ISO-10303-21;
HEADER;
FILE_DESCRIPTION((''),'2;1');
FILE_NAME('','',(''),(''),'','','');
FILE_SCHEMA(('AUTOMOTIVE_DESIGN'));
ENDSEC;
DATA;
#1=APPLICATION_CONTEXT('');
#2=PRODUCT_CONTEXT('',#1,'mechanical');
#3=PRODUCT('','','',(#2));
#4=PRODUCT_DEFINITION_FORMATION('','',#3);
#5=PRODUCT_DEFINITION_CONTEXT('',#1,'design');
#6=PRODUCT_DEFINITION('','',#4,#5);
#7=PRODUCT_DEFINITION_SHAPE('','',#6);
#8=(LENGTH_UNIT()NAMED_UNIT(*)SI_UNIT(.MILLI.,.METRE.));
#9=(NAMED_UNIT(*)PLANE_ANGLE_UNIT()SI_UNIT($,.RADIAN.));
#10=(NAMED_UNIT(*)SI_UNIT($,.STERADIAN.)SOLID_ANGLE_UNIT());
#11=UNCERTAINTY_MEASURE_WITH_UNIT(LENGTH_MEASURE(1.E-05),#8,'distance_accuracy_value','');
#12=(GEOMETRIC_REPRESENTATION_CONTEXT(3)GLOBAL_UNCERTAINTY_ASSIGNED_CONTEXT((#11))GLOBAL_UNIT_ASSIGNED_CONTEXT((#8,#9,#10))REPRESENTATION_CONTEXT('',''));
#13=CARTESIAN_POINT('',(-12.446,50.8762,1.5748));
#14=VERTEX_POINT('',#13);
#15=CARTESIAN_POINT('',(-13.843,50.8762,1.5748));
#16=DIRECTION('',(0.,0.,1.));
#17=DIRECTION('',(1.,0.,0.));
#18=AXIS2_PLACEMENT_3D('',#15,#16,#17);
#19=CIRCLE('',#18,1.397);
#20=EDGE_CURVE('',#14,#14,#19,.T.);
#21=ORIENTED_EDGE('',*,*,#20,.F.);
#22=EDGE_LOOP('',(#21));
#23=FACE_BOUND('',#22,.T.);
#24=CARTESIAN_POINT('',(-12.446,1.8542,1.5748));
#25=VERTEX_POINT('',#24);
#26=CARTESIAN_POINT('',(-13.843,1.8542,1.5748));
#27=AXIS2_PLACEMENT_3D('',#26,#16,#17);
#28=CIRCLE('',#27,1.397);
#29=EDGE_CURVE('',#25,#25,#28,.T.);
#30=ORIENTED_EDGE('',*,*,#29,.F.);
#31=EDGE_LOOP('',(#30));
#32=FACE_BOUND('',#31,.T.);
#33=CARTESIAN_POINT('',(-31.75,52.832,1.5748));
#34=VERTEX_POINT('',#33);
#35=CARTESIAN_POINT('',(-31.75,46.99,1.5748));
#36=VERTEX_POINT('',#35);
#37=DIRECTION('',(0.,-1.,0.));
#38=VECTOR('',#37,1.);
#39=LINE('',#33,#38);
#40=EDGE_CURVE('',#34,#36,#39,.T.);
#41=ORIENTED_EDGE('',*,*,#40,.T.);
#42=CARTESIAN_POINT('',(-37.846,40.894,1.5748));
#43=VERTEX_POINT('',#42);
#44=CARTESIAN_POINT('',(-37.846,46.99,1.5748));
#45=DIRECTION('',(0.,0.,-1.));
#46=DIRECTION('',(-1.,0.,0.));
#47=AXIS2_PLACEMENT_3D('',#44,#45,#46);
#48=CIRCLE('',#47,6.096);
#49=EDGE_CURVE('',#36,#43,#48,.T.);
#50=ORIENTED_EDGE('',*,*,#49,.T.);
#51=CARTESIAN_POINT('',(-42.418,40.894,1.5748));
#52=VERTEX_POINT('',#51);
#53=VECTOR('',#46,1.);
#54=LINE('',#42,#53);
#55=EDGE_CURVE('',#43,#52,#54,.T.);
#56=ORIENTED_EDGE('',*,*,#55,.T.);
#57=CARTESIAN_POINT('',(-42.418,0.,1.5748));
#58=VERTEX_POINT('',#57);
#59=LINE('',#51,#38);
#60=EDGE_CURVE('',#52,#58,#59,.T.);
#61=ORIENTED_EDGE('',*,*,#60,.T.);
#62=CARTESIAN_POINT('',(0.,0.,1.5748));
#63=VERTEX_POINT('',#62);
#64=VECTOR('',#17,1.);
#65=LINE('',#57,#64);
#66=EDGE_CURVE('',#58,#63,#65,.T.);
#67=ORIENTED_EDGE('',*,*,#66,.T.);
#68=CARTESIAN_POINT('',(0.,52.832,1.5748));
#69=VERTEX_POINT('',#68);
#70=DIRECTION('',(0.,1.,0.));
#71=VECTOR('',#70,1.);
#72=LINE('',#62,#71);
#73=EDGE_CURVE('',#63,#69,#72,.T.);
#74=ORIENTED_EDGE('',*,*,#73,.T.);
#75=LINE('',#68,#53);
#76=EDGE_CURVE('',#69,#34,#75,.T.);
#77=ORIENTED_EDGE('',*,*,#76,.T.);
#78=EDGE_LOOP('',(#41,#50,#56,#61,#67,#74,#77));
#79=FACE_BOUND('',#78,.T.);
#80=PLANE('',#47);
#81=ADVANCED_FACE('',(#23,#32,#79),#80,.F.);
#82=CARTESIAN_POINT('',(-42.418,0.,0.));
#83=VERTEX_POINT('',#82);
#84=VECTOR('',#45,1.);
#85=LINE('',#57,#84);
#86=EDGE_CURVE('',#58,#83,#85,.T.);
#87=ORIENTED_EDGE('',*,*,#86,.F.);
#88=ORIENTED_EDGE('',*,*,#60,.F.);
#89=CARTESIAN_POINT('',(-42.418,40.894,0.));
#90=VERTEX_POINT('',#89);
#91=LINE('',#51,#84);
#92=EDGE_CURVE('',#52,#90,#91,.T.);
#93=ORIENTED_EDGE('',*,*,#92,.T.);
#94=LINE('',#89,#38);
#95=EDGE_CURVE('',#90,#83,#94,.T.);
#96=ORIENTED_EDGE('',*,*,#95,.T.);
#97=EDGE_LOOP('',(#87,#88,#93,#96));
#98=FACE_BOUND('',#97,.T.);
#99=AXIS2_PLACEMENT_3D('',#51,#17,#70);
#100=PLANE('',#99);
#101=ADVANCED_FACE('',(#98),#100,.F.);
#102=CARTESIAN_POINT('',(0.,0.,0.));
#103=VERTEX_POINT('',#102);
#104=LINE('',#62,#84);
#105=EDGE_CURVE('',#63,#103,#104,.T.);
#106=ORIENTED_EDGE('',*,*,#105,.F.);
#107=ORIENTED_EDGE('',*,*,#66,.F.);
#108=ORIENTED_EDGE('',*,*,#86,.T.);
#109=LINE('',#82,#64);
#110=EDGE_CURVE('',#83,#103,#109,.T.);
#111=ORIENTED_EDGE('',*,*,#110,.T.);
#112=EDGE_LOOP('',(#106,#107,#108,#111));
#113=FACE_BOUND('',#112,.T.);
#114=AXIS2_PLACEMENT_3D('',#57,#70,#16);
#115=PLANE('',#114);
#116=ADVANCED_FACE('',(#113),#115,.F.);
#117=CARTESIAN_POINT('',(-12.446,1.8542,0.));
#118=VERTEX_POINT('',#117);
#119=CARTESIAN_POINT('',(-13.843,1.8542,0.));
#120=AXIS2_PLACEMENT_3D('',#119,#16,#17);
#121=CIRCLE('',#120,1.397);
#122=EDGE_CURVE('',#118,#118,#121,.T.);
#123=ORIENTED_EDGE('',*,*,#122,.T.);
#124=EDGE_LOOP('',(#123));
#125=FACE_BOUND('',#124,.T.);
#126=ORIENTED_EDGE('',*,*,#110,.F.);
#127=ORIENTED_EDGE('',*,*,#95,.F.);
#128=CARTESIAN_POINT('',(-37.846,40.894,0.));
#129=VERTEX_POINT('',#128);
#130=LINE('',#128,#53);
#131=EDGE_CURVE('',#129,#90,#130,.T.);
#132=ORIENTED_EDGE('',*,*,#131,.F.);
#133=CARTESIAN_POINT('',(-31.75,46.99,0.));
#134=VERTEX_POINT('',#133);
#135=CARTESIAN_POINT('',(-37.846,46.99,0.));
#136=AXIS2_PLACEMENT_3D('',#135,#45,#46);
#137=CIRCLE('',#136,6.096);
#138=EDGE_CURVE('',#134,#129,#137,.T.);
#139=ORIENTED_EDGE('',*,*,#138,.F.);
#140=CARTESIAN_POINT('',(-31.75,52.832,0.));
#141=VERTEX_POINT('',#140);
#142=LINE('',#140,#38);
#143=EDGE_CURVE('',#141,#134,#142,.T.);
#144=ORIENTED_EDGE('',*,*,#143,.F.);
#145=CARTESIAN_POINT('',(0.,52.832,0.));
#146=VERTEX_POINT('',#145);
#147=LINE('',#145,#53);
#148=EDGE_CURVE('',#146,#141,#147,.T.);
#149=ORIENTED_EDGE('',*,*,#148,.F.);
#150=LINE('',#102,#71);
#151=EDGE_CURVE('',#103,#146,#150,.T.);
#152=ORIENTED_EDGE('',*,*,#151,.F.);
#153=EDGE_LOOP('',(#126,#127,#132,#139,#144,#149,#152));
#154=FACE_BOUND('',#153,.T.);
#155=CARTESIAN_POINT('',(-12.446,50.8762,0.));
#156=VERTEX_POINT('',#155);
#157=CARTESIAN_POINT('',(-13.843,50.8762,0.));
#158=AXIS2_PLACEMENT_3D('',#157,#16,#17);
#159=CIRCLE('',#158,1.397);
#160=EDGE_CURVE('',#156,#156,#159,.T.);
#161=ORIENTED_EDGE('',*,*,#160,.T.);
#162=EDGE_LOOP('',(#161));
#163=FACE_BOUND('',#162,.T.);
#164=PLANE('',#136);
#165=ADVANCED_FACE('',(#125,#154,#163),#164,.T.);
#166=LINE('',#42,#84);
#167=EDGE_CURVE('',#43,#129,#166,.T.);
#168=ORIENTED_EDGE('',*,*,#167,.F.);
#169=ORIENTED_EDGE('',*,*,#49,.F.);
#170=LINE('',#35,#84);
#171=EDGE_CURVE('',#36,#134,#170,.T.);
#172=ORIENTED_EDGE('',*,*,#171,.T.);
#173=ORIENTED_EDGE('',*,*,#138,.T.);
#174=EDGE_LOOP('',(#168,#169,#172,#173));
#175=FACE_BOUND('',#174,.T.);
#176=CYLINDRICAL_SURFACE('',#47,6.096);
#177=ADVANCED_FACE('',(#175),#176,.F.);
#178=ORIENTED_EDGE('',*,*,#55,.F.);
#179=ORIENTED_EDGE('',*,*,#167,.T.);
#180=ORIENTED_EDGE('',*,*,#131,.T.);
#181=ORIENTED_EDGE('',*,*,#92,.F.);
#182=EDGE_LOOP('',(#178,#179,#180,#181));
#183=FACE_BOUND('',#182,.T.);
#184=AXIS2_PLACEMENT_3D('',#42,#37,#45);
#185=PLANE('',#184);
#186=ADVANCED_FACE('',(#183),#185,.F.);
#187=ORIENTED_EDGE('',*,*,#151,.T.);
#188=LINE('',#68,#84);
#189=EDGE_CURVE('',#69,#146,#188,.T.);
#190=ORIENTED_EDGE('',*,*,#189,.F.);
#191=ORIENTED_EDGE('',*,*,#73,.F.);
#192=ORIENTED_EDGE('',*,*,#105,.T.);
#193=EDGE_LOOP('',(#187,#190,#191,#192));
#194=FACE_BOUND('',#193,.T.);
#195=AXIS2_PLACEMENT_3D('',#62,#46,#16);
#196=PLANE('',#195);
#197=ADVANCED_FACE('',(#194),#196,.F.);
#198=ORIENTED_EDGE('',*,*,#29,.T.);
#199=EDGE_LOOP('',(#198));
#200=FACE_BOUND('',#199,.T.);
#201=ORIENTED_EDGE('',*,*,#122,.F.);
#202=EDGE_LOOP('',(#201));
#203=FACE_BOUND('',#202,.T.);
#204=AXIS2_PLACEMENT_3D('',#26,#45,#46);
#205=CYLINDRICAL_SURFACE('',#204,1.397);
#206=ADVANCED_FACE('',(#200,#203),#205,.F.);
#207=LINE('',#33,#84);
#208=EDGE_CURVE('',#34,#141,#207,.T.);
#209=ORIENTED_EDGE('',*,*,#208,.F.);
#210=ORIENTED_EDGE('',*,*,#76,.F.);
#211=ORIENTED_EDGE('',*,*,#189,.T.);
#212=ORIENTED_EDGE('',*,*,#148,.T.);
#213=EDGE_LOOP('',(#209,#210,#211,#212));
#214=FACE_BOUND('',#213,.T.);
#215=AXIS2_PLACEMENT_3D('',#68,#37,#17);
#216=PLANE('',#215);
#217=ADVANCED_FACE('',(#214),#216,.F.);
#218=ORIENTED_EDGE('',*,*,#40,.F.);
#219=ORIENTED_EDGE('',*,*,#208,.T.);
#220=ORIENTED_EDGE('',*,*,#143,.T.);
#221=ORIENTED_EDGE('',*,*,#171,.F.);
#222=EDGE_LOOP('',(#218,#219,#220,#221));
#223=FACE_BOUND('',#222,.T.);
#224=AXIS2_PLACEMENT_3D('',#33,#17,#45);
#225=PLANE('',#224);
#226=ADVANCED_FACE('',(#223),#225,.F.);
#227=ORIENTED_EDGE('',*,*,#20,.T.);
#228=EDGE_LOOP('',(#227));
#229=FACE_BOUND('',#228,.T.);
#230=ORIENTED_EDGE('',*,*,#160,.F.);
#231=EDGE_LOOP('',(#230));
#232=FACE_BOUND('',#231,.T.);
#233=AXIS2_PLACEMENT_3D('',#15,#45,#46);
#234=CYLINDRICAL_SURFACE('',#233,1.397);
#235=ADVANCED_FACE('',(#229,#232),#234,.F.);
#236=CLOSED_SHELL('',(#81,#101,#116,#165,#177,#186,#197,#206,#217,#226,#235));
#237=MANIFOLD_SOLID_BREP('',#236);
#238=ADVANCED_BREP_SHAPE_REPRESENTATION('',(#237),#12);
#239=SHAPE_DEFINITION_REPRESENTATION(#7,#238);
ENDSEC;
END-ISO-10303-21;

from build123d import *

# Parameters (mm, degrees)
SKETCH1_R           = 1.397
BOSS_EXTRUDE1_DEPTH = 1.5748


with BuildPart() as part:
    # Sketch1 → Boss-Extrude1 (new body)
    with BuildSketch(Plane.XY):
        with BuildLine():
            Line((0, 0), (0, 52.832))
            Line((0, 52.832), (-31.75, 52.832))
            Line((-31.75, 52.832), (-31.75, 46.99))
            ThreePointArc((-31.75, 46.99), (-33.535477062, 42.679477062), (-37.846, 40.894))
            Line((-37.846, 40.894), (-42.418, 40.894))
            Line((-42.418, 40.894), (-42.418, 0))
            Line((-42.418, 0), (0, 0))
        make_face()
        with Locations((-13.843, 50.8762)):
            Circle(SKETCH1_R, mode=Mode.SUBTRACT)
        with Locations((-13.843, 1.8542)):
            Circle(SKETCH1_R, mode=Mode.SUBTRACT)
    extrude(amount=BOSS_EXTRUDE1_DEPTH)


solid = part.part
